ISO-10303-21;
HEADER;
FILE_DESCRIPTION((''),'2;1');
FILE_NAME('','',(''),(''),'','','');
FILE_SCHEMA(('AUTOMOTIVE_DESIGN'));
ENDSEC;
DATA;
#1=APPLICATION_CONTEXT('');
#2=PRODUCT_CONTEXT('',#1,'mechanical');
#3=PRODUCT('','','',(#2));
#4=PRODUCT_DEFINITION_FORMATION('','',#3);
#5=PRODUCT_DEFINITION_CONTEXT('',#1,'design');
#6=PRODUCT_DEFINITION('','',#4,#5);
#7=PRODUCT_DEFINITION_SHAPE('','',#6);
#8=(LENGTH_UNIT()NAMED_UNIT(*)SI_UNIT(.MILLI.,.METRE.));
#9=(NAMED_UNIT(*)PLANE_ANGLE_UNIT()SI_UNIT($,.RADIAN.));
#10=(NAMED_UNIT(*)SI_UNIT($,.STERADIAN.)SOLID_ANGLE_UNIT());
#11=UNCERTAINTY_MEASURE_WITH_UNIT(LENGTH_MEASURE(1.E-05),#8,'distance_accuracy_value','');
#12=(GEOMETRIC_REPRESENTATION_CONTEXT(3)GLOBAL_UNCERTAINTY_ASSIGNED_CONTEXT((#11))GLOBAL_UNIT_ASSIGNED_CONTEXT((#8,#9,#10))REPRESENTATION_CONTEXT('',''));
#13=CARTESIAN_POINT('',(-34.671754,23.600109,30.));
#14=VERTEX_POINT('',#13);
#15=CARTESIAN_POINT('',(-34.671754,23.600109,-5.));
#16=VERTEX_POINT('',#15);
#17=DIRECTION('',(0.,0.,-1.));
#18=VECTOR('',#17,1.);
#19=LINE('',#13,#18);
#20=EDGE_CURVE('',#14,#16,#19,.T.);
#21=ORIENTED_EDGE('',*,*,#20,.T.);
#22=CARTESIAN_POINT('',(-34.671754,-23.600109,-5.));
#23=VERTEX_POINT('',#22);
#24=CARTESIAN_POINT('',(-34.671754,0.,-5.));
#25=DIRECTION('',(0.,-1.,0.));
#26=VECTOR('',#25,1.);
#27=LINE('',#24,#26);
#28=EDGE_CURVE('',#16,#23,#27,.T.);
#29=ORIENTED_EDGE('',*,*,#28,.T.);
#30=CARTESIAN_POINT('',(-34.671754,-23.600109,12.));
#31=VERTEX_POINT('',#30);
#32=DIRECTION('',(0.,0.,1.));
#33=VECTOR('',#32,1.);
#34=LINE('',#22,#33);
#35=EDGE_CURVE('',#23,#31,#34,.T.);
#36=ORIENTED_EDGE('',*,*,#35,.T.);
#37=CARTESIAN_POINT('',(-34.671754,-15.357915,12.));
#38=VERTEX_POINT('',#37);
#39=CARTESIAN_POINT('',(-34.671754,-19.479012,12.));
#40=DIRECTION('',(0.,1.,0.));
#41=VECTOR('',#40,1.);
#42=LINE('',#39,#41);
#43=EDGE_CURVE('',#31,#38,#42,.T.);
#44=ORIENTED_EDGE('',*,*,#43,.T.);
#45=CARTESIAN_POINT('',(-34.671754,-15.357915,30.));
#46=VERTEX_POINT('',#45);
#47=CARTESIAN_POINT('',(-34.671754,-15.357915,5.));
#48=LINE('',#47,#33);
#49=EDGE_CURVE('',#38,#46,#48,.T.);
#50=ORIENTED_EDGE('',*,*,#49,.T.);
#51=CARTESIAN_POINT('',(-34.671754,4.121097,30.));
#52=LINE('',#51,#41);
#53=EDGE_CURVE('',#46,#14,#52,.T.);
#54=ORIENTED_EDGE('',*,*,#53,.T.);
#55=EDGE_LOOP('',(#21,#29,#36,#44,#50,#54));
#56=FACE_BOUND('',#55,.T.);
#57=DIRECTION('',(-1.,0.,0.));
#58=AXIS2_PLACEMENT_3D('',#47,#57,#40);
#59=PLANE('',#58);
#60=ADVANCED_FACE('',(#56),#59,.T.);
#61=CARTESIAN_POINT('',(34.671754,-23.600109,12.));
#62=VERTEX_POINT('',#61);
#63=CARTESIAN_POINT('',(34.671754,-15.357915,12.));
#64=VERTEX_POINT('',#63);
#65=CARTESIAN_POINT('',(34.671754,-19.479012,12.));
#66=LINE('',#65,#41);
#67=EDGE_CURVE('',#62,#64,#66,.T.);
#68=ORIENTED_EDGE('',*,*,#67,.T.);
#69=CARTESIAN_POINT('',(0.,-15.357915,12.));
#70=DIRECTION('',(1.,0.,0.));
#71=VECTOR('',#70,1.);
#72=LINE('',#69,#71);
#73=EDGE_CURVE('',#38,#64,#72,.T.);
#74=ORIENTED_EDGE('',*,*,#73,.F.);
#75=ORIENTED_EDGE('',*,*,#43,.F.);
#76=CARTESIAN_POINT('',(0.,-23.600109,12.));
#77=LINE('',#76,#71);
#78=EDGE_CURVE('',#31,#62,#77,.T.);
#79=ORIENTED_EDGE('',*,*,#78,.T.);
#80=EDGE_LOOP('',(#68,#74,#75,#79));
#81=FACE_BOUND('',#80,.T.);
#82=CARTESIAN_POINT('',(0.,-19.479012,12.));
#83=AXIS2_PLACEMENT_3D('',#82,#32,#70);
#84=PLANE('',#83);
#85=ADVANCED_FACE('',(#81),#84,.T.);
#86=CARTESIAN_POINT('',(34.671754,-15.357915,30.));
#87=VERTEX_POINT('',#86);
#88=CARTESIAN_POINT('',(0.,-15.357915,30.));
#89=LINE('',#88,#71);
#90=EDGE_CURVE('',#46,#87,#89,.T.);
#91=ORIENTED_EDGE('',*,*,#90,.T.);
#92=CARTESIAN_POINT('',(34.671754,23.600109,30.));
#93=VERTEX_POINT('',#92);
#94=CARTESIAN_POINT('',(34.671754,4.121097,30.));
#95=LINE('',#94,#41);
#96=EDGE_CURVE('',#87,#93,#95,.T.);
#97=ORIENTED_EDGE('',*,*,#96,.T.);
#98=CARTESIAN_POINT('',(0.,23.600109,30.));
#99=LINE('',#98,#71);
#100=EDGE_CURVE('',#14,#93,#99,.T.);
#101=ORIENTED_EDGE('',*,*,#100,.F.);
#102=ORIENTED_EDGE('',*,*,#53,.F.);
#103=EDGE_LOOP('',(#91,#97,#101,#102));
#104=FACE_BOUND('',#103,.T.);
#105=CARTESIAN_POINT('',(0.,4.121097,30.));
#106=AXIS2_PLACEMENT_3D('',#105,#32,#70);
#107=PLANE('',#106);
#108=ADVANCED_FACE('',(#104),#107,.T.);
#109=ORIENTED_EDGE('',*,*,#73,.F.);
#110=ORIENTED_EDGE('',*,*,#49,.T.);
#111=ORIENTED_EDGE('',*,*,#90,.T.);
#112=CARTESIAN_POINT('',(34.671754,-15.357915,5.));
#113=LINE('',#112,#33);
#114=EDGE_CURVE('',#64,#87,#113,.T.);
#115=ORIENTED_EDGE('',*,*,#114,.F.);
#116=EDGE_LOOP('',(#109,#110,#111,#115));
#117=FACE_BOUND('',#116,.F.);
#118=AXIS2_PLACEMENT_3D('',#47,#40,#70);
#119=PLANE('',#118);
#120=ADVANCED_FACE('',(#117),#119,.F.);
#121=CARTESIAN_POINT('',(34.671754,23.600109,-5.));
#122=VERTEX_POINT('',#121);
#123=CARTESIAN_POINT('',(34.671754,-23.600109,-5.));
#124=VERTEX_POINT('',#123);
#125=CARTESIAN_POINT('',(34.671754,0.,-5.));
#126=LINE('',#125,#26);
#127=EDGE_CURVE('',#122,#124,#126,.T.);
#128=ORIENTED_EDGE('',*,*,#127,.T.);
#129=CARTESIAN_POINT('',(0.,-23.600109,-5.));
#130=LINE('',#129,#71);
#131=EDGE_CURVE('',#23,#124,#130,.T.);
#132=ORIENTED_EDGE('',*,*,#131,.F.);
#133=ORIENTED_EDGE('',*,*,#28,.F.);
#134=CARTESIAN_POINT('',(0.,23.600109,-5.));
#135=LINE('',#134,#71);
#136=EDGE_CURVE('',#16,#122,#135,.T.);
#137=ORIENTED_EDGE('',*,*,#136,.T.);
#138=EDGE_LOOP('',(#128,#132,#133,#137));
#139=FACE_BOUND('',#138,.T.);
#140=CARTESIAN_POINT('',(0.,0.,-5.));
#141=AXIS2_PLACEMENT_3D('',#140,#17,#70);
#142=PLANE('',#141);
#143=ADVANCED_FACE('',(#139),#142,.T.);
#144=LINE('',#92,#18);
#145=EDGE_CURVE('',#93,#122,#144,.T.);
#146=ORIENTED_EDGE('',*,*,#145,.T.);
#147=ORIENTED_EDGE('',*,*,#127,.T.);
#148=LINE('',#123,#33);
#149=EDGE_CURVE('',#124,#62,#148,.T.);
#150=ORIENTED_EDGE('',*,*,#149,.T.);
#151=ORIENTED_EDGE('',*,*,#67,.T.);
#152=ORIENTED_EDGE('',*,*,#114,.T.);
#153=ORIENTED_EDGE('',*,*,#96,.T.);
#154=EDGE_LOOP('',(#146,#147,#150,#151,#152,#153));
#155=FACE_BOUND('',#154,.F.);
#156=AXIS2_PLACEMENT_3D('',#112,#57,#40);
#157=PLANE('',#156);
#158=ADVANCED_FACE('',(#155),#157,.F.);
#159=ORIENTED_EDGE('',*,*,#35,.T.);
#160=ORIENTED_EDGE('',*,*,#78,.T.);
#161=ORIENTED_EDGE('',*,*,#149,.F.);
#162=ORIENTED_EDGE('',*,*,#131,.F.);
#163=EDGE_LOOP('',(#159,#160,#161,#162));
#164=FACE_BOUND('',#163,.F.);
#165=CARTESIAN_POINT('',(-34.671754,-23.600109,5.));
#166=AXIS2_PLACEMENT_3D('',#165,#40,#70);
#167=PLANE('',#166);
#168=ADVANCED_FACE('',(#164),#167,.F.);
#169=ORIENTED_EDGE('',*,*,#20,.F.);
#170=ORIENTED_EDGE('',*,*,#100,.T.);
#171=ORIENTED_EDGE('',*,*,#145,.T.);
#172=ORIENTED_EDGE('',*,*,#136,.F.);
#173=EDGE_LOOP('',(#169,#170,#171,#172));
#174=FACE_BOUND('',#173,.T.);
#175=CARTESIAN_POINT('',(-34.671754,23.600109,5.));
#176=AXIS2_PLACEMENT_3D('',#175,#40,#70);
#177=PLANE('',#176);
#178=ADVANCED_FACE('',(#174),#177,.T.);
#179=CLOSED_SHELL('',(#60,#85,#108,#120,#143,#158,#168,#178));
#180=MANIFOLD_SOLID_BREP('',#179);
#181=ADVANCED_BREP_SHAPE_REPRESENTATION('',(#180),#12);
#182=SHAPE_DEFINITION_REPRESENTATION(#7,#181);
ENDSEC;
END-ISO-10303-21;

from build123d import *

# Parameters (mm, degrees)
F0_W      = 69.343508
F0_H      = 47.200218
F1_DEPTH  = 5
F1_FACE_W = 69.343508
F1_FACE_H = 47.200218
F2_DEPTH  = 5
F3_W      = 69.343508
F3_H      = 8.242194
F5_DEPTH  = 7
F4_W      = 69.343508
F4_H      = 38.958024
F6_W      = 69.343508
F6_H      = 38.958024
F7_DEPTH  = 25


with BuildPart() as f1:
    # F0 (on Top) → F1 (new body)
    with BuildSketch(Plane.XY):
        Rectangle(F0_W, F0_H)
    extrude(amount=F1_DEPTH)

    # F1_face (on face) → F2 (join)
    with BuildSketch(Plane(origin=(0, 0, 0), x_dir=(1, 0, 0), z_dir=(0, 0, -1))):
        Rectangle(F1_FACE_W, F1_FACE_H)
    extrude(amount=F2_DEPTH)

    # F3 (on face) → F5 (join)
    with BuildSketch(Plane.XY.offset(5)):
        with Locations((0, -19.479012)):
            Rectangle(F3_W, F3_H)
    extrude(amount=F5_DEPTH)

    # F4 (on face) + F6 (on face) → F7 (join)
    with BuildSketch(Plane.XY.offset(5)):
        with Locations((0, 4.121097)):
            Rectangle(F4_W, F4_H)
    with BuildSketch(Plane.XY.offset(5)):
        with Locations((0, 4.121097)):
            Rectangle(F6_W, F6_H)
    extrude(amount=F7_DEPTH)


solid = f1.part
